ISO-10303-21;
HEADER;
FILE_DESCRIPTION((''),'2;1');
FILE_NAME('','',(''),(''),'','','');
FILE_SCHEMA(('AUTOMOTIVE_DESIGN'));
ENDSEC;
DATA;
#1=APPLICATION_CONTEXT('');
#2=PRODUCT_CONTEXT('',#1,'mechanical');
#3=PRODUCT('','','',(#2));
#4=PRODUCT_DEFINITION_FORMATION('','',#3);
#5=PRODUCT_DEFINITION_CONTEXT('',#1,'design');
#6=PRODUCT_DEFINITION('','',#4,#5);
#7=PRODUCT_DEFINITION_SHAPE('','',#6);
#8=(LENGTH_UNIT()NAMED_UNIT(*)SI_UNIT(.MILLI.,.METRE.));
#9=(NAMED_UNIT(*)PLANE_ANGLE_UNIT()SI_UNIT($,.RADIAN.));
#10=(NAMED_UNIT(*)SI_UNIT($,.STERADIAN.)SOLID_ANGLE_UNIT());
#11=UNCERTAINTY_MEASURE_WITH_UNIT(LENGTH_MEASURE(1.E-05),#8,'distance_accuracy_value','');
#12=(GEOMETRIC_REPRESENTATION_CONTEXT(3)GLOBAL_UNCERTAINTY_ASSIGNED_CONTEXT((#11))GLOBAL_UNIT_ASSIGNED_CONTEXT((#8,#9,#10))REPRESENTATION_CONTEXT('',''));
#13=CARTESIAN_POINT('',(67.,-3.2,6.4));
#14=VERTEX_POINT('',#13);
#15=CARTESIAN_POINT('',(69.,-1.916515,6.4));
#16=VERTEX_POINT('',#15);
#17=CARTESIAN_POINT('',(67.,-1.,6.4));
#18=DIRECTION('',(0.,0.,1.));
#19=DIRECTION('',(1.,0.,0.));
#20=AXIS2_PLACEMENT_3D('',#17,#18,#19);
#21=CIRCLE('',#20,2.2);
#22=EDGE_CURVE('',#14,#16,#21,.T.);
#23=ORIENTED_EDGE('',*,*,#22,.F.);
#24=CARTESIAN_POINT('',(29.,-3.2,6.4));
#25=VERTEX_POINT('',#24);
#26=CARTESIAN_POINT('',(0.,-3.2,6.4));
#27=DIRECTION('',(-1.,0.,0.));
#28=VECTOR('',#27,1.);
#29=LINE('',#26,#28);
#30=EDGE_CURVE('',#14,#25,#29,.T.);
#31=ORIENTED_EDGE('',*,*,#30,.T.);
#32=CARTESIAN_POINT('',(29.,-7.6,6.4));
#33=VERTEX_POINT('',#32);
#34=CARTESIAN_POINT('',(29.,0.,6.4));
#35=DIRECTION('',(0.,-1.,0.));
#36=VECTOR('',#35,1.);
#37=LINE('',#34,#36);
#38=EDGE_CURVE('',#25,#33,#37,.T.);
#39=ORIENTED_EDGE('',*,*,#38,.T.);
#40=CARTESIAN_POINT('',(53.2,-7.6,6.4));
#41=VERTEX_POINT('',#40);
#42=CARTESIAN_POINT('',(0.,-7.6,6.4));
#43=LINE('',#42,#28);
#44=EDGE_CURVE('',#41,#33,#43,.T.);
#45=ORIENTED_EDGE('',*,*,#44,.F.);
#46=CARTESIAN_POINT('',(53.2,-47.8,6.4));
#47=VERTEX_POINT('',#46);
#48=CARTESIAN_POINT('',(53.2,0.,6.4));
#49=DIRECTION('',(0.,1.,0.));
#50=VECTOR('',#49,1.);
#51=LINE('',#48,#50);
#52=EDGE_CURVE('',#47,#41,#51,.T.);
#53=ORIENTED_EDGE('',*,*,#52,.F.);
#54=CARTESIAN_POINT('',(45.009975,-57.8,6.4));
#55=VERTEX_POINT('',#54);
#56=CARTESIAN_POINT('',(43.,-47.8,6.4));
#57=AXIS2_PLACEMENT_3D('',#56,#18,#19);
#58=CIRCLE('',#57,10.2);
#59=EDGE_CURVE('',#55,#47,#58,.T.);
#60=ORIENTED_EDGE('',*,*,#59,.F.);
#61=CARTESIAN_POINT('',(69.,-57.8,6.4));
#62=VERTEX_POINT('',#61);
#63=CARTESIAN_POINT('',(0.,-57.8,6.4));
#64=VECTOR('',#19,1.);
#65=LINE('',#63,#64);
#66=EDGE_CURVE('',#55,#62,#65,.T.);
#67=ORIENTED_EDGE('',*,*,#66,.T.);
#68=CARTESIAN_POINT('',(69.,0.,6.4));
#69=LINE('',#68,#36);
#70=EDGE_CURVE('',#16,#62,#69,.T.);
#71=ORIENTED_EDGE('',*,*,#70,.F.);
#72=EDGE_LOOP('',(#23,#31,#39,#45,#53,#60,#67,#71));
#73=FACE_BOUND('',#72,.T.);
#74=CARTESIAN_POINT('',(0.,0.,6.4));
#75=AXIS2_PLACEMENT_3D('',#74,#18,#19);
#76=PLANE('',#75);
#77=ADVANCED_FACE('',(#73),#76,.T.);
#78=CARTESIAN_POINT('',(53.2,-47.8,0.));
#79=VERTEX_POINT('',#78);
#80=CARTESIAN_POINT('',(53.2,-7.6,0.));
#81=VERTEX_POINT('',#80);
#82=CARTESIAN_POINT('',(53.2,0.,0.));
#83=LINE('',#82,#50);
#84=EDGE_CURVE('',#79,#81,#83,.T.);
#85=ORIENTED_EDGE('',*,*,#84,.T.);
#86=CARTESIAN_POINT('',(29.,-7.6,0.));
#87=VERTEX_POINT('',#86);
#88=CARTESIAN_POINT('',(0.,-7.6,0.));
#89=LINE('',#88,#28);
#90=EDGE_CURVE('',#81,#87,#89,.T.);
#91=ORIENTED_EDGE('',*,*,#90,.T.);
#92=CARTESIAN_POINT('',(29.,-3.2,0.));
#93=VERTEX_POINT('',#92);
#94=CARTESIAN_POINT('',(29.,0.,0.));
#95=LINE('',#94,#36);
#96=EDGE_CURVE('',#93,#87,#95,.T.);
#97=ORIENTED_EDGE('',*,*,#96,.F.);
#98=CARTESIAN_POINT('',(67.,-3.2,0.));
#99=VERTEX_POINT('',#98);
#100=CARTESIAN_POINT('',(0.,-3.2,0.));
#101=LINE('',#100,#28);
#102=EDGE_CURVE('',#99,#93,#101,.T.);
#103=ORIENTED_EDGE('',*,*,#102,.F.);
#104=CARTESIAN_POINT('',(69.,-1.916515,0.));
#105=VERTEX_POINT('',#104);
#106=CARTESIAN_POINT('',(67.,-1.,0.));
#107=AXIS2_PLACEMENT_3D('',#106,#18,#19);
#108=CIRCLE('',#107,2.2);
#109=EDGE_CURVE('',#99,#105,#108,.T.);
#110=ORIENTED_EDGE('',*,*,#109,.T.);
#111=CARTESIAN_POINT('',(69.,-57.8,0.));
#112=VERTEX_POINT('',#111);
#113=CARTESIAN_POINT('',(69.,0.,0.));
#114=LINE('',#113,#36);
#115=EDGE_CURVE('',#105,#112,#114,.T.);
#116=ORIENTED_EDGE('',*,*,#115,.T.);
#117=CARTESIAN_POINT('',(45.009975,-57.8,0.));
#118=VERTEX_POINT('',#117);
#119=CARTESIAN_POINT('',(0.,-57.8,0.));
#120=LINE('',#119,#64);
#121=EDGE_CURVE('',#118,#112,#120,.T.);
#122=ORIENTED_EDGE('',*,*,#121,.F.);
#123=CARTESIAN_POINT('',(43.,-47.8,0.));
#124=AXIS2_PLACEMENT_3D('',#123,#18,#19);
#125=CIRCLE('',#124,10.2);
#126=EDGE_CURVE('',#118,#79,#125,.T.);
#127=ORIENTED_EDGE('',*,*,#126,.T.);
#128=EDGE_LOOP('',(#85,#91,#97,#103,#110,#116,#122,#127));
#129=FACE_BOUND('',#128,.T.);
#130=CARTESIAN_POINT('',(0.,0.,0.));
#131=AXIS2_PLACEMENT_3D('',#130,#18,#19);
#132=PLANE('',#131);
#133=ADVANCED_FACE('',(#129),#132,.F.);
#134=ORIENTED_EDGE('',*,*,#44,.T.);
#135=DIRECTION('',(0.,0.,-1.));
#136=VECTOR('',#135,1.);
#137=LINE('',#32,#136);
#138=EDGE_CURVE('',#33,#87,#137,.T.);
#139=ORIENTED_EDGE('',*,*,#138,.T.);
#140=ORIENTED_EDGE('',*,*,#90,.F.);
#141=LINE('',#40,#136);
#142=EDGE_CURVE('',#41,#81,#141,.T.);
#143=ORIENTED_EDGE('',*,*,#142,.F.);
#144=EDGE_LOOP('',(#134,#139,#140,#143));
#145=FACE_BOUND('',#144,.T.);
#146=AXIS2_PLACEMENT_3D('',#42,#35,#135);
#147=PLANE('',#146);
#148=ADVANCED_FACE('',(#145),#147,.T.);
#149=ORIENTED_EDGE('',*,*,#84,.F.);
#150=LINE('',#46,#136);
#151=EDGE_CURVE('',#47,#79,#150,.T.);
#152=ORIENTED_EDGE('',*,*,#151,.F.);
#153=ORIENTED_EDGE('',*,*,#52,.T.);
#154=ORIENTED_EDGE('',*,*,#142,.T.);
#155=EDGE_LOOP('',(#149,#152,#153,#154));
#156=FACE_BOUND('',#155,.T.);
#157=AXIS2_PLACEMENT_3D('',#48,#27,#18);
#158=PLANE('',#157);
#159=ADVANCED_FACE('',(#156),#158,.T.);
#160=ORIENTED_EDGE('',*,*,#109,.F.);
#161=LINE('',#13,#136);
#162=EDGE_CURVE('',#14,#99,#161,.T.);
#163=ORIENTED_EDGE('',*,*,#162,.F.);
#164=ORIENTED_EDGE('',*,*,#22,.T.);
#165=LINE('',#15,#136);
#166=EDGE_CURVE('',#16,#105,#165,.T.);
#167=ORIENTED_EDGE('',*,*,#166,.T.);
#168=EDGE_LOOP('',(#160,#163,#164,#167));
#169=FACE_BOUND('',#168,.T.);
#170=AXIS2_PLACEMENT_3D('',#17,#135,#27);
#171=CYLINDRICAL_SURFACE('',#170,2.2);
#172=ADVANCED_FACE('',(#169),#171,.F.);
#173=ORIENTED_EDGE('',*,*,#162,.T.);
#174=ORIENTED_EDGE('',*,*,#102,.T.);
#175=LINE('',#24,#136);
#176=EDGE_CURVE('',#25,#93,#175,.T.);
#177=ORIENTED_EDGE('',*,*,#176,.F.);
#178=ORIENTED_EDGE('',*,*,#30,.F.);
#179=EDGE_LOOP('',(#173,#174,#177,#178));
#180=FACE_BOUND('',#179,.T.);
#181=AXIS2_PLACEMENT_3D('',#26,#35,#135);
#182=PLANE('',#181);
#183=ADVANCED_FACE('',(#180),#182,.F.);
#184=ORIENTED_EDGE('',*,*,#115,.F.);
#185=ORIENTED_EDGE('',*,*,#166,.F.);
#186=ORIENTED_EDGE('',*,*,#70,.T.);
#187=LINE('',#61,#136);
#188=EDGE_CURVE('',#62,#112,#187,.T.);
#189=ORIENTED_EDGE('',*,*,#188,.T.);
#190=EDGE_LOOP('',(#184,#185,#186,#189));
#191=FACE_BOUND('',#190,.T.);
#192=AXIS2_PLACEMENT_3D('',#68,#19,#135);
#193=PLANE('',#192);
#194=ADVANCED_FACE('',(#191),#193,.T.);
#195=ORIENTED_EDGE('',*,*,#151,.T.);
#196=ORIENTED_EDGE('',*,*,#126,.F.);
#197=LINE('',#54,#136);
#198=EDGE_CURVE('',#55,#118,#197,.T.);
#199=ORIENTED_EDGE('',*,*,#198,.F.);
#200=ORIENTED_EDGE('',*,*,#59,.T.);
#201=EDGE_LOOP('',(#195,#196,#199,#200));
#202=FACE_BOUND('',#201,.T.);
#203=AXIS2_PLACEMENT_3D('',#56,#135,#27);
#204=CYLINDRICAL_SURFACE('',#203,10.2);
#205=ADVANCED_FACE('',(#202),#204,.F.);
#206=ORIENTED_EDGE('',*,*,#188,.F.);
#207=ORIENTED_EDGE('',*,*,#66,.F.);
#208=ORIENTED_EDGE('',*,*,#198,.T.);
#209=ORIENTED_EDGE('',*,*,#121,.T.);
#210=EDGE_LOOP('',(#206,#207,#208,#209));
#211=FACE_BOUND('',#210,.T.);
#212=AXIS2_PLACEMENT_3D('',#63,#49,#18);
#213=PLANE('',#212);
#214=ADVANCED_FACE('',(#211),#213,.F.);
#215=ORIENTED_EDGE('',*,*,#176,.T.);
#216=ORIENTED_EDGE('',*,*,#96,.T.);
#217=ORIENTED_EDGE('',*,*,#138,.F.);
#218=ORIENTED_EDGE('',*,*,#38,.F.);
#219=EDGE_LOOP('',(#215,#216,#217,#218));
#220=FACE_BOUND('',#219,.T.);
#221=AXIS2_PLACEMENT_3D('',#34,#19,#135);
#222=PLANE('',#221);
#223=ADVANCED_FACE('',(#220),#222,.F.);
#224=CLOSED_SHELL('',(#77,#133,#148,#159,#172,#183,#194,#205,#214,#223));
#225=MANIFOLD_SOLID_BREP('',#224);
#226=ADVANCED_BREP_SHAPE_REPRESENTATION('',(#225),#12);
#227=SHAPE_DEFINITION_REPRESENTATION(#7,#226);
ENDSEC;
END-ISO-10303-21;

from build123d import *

# Parameters (mm, degrees)
ESTRUSIONE_ESTRUSIONE1_DEPTH = 6.4


with BuildPart() as part:
    # Schizzo1 → Estrusione-Estrusione1 (new body)
    with BuildSketch(Plane.XY):
        with BuildLine():
            Line((29, -3.2), (29, -7.6))
            Line((29, -7.6), (53.2, -7.6))
            Line((53.2, -7.6), (53.2, -47.8))
            ThreePointArc((53.2, -47.8), (50.891189589, -54.262903904), (45.009975124, -57.8))
            Line((45.009975124, -57.8), (69, -57.8))
            Line((69, -57.8), (69, -1.916515139))
            ThreePointArc((69, -1.916515139), (68.188205936, -2.851530894), (67, -3.2))
            Line((67, -3.2), (29, -3.2))
        make_face()
    extrude(amount=ESTRUSIONE_ESTRUSIONE1_DEPTH)


solid = part.part
